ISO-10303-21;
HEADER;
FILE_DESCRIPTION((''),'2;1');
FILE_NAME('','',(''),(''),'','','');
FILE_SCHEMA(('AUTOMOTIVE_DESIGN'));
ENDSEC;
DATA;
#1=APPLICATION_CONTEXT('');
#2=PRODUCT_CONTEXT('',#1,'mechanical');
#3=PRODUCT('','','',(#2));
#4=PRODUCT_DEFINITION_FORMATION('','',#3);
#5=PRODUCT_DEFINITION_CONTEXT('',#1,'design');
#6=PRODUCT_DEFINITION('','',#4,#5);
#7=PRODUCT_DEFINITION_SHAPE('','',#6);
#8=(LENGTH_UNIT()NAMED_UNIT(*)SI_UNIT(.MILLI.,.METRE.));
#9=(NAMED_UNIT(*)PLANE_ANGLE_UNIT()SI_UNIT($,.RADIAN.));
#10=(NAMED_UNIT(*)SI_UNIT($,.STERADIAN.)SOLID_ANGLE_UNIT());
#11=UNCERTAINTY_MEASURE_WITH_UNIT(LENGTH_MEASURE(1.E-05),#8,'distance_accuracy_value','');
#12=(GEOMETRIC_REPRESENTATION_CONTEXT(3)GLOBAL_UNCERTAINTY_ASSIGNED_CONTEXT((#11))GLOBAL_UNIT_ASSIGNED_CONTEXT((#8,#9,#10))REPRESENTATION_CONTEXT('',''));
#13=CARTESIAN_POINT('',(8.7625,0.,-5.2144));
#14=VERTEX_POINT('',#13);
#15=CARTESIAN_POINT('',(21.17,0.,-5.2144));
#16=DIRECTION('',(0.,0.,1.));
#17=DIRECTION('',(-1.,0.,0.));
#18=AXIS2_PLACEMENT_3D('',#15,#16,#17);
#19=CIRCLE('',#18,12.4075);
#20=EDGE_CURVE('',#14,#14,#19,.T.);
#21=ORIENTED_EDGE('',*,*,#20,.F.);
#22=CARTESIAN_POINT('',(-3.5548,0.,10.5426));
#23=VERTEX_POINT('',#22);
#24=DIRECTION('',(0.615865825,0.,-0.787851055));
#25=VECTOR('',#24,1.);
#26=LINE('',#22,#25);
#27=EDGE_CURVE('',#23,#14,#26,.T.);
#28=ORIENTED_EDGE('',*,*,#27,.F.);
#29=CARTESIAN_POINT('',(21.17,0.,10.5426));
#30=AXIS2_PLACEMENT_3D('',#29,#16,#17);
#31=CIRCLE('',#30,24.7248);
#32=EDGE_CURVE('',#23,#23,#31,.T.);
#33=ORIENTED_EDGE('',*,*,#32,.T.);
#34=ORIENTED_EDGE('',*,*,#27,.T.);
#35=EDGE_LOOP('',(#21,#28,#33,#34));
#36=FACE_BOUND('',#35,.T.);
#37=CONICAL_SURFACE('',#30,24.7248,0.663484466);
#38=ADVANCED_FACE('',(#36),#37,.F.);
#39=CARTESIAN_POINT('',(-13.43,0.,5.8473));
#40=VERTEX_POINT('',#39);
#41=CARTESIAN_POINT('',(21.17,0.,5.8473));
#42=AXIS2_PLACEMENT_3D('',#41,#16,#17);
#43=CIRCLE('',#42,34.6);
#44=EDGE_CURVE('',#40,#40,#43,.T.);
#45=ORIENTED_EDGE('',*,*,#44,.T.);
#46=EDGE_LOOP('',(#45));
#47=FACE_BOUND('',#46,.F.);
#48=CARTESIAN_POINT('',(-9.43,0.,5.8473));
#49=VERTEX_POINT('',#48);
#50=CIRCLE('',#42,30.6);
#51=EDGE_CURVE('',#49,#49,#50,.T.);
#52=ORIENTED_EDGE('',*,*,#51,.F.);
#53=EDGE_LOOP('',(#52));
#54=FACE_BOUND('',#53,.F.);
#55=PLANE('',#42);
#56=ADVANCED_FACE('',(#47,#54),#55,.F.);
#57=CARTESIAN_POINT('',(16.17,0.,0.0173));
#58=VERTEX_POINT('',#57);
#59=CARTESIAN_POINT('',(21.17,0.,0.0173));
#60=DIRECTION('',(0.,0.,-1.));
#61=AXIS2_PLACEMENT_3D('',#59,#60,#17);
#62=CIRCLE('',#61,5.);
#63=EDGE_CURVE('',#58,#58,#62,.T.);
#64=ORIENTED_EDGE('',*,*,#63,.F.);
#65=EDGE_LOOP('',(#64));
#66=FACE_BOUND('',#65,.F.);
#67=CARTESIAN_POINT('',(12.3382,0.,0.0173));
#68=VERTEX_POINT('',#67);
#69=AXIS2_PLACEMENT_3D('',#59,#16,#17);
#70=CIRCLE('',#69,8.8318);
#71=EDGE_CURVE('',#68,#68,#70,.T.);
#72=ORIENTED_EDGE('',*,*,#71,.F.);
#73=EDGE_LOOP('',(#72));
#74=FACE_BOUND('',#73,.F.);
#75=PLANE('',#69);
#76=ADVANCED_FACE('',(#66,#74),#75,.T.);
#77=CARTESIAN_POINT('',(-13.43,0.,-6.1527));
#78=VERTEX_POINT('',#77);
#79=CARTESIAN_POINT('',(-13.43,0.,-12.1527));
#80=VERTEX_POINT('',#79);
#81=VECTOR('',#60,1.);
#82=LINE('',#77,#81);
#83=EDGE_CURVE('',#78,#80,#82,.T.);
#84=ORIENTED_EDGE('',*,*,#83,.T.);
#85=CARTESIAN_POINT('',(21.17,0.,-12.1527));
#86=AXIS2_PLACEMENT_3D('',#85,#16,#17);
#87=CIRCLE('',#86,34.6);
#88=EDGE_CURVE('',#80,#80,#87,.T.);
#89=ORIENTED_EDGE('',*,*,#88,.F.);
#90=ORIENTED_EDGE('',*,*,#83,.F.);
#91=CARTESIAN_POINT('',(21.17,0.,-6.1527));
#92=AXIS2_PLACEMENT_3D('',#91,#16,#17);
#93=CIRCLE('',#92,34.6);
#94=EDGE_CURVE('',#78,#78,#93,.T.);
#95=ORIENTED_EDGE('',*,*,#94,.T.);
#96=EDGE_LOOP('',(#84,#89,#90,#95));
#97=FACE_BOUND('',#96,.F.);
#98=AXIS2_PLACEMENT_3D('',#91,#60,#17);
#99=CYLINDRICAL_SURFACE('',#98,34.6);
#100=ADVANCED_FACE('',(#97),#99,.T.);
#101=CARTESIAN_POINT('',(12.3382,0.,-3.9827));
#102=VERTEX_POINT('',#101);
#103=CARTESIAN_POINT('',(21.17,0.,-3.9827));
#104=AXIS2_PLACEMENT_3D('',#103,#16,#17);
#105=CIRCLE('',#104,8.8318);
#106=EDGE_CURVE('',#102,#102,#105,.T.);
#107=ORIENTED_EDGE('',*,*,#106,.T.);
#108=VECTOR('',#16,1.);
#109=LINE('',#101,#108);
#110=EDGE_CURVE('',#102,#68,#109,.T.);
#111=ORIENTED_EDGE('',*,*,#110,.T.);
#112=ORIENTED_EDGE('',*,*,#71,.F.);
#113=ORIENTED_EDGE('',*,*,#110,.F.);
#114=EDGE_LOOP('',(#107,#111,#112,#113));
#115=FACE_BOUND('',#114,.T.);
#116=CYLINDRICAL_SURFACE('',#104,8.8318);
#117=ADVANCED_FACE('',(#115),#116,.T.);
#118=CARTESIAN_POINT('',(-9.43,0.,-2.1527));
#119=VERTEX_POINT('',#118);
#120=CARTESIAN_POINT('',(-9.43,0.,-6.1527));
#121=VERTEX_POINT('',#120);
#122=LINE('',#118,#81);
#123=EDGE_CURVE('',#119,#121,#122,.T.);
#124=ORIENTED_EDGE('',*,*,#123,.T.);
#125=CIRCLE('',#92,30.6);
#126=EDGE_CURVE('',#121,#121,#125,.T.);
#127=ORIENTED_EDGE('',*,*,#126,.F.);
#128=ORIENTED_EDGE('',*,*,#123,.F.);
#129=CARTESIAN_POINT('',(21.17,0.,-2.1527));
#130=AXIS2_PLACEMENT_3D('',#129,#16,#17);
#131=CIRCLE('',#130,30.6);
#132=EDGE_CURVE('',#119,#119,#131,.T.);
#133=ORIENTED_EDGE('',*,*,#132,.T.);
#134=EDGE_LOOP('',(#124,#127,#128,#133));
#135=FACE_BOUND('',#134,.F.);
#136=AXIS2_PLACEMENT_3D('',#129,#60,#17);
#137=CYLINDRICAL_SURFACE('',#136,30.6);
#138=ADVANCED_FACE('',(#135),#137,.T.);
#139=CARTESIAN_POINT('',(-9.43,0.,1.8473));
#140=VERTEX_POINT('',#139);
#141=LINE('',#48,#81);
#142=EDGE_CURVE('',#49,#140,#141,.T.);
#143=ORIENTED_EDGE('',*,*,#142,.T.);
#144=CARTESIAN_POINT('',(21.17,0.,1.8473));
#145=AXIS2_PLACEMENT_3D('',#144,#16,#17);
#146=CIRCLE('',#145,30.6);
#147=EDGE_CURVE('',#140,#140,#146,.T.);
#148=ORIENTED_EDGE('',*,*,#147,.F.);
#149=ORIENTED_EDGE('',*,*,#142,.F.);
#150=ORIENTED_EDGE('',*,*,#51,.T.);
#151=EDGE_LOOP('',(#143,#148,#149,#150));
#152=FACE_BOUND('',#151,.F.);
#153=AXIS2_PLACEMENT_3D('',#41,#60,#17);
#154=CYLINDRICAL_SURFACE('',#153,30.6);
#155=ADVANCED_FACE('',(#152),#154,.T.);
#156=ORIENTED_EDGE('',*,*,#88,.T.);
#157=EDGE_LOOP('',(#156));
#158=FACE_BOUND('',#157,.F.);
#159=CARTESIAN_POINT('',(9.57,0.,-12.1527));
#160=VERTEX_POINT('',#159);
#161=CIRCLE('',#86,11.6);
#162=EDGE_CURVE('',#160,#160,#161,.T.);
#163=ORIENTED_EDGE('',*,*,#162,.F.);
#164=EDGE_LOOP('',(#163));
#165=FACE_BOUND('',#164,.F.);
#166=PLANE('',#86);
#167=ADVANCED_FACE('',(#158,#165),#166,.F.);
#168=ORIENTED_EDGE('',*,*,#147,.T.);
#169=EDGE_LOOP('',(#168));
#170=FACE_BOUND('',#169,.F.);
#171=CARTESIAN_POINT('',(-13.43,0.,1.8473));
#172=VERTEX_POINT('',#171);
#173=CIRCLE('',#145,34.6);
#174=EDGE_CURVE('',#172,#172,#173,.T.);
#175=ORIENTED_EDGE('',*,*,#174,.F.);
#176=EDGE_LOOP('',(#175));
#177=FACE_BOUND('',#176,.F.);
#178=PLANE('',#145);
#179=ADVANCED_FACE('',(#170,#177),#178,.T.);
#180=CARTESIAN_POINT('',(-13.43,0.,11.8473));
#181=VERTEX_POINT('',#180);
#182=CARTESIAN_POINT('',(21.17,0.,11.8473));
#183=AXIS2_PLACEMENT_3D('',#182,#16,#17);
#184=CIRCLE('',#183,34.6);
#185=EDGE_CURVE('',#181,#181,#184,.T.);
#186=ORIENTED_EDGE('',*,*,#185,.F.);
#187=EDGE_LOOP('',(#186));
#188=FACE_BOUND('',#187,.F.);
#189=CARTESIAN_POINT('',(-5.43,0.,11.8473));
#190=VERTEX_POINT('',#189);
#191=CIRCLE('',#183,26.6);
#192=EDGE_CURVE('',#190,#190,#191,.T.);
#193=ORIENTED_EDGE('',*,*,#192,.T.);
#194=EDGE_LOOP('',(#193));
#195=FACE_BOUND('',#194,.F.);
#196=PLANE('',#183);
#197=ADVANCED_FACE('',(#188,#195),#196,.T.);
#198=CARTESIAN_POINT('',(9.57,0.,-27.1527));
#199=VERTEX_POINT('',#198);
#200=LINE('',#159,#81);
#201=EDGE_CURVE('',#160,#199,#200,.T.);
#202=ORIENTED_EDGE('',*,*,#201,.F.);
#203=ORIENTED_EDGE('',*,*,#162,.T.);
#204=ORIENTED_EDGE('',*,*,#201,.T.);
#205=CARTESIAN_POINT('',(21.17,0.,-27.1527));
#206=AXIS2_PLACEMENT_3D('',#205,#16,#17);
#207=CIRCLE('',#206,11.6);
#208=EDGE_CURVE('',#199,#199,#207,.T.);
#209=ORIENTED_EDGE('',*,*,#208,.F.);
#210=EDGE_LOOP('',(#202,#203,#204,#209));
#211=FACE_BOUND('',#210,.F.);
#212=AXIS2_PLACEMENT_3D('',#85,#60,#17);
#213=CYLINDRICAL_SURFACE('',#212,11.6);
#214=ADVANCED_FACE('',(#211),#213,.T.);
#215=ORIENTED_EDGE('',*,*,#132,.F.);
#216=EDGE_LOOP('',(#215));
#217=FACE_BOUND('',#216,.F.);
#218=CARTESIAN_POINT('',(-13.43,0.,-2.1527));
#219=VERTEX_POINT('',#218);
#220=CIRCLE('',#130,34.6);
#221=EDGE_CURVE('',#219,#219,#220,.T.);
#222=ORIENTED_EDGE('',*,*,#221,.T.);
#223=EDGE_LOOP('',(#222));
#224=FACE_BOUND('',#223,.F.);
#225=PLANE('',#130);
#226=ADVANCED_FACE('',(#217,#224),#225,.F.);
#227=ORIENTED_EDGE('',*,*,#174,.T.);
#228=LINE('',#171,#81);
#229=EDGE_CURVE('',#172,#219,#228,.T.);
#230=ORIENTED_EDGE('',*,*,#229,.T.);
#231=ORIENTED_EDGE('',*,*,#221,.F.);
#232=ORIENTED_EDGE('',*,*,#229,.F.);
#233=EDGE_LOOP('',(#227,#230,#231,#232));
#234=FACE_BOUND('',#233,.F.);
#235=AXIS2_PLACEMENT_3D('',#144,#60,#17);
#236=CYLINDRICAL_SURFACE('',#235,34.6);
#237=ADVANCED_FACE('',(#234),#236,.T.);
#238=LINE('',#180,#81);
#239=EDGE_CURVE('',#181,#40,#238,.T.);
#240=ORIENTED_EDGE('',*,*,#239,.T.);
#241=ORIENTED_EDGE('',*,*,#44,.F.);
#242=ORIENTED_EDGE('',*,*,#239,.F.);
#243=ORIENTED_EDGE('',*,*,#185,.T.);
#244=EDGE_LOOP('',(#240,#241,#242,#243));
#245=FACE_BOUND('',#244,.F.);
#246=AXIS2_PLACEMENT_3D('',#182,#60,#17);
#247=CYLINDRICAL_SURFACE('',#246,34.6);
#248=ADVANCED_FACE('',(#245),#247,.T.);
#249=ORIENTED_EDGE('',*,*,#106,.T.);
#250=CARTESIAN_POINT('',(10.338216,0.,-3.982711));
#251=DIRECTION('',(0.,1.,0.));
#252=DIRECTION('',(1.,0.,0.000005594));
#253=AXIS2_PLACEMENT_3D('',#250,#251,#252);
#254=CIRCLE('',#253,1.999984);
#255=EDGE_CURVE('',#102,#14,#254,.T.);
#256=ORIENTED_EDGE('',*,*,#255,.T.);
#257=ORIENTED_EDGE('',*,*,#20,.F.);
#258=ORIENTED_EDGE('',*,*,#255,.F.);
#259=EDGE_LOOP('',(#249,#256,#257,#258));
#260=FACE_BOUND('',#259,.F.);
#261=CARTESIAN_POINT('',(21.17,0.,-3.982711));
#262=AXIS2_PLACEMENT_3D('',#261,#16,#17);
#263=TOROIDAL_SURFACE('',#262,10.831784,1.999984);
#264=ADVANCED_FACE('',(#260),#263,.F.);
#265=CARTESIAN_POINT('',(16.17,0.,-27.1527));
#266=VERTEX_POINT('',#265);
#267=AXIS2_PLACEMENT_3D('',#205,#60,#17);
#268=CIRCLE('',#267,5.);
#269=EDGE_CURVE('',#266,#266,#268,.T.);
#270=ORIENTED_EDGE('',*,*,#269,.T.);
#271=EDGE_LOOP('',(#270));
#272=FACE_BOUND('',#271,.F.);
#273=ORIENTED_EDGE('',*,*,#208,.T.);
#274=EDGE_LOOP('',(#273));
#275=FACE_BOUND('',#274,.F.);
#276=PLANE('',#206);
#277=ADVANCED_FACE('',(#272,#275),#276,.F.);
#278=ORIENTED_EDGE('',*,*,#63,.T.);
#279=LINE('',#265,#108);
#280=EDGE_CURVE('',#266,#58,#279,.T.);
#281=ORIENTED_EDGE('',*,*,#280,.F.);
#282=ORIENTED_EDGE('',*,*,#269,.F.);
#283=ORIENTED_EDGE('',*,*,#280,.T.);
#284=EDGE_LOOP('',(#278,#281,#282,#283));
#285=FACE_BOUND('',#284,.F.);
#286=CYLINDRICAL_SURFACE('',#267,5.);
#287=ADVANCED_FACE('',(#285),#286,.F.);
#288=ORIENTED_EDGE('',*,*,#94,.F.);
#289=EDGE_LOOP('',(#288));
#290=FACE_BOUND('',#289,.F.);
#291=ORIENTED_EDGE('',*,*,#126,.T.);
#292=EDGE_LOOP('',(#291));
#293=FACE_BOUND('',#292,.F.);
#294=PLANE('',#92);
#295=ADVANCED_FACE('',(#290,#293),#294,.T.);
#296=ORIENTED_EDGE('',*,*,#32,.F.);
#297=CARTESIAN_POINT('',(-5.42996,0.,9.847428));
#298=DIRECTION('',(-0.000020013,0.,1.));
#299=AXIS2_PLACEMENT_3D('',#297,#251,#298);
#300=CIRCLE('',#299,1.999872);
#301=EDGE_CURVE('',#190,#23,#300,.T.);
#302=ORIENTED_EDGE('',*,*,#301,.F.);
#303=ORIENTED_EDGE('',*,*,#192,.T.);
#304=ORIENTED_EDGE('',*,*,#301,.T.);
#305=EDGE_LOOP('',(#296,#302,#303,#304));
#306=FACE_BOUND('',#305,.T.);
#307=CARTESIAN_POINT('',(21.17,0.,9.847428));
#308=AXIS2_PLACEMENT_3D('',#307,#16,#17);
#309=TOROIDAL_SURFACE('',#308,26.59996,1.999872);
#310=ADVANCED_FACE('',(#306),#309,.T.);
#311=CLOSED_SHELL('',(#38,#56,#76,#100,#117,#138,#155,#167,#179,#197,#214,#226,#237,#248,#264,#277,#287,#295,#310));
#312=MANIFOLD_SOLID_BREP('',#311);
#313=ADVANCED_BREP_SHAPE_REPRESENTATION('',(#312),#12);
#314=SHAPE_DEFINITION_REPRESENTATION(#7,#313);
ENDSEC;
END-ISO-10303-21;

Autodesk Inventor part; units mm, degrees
ref_plane "YZ Plane" through (0, 0, 0) normal (1, 0, 0) x (0, 1, 0)
ref_plane "XZ Plane" through (0, 0, 0) normal (0, 1, 0) x (-1, 0, 0)
ref_plane "XY Plane" through (0, 0, 0) normal (0, 0, 1) x (1, 0, 0)
sketch "Szkic1" plane through (0, 0, 0) normal (0, 1, 0) x (-1, 0, 0)
  line L0 (5.43, 11.8473) -> (13.43, 11.8473)
  line L1 (13.43, -12.1527) -> (-9.57, -12.1527)
  line L2 (-9.57, -12.1527) -> (-9.57, -27.1527)
  line L3 (-9.57, -27.1527) -> (-21.17, -27.1527)
  arc A0 (5.43, 11.8473) -> (3.5548, 10.5426) centre (5.43, 9.8473) ccw
  line L4 (3.5548, 10.5426) -> (-8.7625, -5.2144)
  arc A1 (-12.3382, -3.9827) -> (-8.7625, -5.2144) centre (-10.3382, -3.9827) ccw
  line L5 (-12.3382, -3.9827) -> (-12.3382, 0.0173)
  line L6 (-21.17, -27.1527) -> (-21.17, 0.0173)
  line L7 (-21.17, 0.0173) -> (-12.3382, 0.0173)
  line L8 (13.43, 11.8473) -> (13.43, 5.8473)
  line L9 (13.43, 5.8473) -> (9.43, 5.8473)
  line L10 (9.43, 5.8473) -> (9.43, 1.8473)
  line L11 (9.43, 1.8473) -> (13.43, 1.8473)
  line L12 (13.43, 1.8473) -> (13.43, -2.1527)
  line L13 (13.43, -2.1527) -> (9.43, -2.1527)
  line L14 (9.43, -2.1527) -> (9.43, -6.1527)
  line L15 (9.43, -6.1527) -> (13.43, -6.1527)
  line L16 (13.43, -6.1527) -> (13.43, -12.1527)
  point P0 (0, 0)
  dimension "d0" = 8
  dimension "d1" = 24
  dimension "d2" = 23
  dimension "d3" = 15
  dimension "d4" = 11.6
  dimension "d5" = 2
  dimension "d6" = 20
  dimension "d7" = 2
  dimension "d8" = 4
  dimension "d13" = 6
  dimension "d15" = 4
  dimension "d16" = 4
  dimension "d17" = 4
  dimension "d18" = 4
revolve "Obrót1" add sketch "Szkic1" angle 360 about axis through (21.17, 0, -27.1527) along (0, 0, 1)
sketch "Szkic2" plane through (21.17, 0, -27.1527) normal (0, 0, -1) x (-1, 0, 0)
  point P0 (21.17, 0)
sketch "Szkic3" plane through (21.17, 0, -27.1527) normal (0, 0, -1) x (-1, 0, 0)
  circle A0 centre (0, 0) radius 5
  point P0 (21.17, 0)
  dimension "d10" = 10
sketch "Szkic4" plane through (21.17, 0, -27.1527) normal (0, 0, -1) x (-1, 0, 0)
  point P0 (21.17, 0)
extrude "Wyciągnięcie proste1" cut sketch "Szkic3" against normal blind 39
properties part number "pierścień_uszczelniający" material "Tworzywo sztuczne PET"
